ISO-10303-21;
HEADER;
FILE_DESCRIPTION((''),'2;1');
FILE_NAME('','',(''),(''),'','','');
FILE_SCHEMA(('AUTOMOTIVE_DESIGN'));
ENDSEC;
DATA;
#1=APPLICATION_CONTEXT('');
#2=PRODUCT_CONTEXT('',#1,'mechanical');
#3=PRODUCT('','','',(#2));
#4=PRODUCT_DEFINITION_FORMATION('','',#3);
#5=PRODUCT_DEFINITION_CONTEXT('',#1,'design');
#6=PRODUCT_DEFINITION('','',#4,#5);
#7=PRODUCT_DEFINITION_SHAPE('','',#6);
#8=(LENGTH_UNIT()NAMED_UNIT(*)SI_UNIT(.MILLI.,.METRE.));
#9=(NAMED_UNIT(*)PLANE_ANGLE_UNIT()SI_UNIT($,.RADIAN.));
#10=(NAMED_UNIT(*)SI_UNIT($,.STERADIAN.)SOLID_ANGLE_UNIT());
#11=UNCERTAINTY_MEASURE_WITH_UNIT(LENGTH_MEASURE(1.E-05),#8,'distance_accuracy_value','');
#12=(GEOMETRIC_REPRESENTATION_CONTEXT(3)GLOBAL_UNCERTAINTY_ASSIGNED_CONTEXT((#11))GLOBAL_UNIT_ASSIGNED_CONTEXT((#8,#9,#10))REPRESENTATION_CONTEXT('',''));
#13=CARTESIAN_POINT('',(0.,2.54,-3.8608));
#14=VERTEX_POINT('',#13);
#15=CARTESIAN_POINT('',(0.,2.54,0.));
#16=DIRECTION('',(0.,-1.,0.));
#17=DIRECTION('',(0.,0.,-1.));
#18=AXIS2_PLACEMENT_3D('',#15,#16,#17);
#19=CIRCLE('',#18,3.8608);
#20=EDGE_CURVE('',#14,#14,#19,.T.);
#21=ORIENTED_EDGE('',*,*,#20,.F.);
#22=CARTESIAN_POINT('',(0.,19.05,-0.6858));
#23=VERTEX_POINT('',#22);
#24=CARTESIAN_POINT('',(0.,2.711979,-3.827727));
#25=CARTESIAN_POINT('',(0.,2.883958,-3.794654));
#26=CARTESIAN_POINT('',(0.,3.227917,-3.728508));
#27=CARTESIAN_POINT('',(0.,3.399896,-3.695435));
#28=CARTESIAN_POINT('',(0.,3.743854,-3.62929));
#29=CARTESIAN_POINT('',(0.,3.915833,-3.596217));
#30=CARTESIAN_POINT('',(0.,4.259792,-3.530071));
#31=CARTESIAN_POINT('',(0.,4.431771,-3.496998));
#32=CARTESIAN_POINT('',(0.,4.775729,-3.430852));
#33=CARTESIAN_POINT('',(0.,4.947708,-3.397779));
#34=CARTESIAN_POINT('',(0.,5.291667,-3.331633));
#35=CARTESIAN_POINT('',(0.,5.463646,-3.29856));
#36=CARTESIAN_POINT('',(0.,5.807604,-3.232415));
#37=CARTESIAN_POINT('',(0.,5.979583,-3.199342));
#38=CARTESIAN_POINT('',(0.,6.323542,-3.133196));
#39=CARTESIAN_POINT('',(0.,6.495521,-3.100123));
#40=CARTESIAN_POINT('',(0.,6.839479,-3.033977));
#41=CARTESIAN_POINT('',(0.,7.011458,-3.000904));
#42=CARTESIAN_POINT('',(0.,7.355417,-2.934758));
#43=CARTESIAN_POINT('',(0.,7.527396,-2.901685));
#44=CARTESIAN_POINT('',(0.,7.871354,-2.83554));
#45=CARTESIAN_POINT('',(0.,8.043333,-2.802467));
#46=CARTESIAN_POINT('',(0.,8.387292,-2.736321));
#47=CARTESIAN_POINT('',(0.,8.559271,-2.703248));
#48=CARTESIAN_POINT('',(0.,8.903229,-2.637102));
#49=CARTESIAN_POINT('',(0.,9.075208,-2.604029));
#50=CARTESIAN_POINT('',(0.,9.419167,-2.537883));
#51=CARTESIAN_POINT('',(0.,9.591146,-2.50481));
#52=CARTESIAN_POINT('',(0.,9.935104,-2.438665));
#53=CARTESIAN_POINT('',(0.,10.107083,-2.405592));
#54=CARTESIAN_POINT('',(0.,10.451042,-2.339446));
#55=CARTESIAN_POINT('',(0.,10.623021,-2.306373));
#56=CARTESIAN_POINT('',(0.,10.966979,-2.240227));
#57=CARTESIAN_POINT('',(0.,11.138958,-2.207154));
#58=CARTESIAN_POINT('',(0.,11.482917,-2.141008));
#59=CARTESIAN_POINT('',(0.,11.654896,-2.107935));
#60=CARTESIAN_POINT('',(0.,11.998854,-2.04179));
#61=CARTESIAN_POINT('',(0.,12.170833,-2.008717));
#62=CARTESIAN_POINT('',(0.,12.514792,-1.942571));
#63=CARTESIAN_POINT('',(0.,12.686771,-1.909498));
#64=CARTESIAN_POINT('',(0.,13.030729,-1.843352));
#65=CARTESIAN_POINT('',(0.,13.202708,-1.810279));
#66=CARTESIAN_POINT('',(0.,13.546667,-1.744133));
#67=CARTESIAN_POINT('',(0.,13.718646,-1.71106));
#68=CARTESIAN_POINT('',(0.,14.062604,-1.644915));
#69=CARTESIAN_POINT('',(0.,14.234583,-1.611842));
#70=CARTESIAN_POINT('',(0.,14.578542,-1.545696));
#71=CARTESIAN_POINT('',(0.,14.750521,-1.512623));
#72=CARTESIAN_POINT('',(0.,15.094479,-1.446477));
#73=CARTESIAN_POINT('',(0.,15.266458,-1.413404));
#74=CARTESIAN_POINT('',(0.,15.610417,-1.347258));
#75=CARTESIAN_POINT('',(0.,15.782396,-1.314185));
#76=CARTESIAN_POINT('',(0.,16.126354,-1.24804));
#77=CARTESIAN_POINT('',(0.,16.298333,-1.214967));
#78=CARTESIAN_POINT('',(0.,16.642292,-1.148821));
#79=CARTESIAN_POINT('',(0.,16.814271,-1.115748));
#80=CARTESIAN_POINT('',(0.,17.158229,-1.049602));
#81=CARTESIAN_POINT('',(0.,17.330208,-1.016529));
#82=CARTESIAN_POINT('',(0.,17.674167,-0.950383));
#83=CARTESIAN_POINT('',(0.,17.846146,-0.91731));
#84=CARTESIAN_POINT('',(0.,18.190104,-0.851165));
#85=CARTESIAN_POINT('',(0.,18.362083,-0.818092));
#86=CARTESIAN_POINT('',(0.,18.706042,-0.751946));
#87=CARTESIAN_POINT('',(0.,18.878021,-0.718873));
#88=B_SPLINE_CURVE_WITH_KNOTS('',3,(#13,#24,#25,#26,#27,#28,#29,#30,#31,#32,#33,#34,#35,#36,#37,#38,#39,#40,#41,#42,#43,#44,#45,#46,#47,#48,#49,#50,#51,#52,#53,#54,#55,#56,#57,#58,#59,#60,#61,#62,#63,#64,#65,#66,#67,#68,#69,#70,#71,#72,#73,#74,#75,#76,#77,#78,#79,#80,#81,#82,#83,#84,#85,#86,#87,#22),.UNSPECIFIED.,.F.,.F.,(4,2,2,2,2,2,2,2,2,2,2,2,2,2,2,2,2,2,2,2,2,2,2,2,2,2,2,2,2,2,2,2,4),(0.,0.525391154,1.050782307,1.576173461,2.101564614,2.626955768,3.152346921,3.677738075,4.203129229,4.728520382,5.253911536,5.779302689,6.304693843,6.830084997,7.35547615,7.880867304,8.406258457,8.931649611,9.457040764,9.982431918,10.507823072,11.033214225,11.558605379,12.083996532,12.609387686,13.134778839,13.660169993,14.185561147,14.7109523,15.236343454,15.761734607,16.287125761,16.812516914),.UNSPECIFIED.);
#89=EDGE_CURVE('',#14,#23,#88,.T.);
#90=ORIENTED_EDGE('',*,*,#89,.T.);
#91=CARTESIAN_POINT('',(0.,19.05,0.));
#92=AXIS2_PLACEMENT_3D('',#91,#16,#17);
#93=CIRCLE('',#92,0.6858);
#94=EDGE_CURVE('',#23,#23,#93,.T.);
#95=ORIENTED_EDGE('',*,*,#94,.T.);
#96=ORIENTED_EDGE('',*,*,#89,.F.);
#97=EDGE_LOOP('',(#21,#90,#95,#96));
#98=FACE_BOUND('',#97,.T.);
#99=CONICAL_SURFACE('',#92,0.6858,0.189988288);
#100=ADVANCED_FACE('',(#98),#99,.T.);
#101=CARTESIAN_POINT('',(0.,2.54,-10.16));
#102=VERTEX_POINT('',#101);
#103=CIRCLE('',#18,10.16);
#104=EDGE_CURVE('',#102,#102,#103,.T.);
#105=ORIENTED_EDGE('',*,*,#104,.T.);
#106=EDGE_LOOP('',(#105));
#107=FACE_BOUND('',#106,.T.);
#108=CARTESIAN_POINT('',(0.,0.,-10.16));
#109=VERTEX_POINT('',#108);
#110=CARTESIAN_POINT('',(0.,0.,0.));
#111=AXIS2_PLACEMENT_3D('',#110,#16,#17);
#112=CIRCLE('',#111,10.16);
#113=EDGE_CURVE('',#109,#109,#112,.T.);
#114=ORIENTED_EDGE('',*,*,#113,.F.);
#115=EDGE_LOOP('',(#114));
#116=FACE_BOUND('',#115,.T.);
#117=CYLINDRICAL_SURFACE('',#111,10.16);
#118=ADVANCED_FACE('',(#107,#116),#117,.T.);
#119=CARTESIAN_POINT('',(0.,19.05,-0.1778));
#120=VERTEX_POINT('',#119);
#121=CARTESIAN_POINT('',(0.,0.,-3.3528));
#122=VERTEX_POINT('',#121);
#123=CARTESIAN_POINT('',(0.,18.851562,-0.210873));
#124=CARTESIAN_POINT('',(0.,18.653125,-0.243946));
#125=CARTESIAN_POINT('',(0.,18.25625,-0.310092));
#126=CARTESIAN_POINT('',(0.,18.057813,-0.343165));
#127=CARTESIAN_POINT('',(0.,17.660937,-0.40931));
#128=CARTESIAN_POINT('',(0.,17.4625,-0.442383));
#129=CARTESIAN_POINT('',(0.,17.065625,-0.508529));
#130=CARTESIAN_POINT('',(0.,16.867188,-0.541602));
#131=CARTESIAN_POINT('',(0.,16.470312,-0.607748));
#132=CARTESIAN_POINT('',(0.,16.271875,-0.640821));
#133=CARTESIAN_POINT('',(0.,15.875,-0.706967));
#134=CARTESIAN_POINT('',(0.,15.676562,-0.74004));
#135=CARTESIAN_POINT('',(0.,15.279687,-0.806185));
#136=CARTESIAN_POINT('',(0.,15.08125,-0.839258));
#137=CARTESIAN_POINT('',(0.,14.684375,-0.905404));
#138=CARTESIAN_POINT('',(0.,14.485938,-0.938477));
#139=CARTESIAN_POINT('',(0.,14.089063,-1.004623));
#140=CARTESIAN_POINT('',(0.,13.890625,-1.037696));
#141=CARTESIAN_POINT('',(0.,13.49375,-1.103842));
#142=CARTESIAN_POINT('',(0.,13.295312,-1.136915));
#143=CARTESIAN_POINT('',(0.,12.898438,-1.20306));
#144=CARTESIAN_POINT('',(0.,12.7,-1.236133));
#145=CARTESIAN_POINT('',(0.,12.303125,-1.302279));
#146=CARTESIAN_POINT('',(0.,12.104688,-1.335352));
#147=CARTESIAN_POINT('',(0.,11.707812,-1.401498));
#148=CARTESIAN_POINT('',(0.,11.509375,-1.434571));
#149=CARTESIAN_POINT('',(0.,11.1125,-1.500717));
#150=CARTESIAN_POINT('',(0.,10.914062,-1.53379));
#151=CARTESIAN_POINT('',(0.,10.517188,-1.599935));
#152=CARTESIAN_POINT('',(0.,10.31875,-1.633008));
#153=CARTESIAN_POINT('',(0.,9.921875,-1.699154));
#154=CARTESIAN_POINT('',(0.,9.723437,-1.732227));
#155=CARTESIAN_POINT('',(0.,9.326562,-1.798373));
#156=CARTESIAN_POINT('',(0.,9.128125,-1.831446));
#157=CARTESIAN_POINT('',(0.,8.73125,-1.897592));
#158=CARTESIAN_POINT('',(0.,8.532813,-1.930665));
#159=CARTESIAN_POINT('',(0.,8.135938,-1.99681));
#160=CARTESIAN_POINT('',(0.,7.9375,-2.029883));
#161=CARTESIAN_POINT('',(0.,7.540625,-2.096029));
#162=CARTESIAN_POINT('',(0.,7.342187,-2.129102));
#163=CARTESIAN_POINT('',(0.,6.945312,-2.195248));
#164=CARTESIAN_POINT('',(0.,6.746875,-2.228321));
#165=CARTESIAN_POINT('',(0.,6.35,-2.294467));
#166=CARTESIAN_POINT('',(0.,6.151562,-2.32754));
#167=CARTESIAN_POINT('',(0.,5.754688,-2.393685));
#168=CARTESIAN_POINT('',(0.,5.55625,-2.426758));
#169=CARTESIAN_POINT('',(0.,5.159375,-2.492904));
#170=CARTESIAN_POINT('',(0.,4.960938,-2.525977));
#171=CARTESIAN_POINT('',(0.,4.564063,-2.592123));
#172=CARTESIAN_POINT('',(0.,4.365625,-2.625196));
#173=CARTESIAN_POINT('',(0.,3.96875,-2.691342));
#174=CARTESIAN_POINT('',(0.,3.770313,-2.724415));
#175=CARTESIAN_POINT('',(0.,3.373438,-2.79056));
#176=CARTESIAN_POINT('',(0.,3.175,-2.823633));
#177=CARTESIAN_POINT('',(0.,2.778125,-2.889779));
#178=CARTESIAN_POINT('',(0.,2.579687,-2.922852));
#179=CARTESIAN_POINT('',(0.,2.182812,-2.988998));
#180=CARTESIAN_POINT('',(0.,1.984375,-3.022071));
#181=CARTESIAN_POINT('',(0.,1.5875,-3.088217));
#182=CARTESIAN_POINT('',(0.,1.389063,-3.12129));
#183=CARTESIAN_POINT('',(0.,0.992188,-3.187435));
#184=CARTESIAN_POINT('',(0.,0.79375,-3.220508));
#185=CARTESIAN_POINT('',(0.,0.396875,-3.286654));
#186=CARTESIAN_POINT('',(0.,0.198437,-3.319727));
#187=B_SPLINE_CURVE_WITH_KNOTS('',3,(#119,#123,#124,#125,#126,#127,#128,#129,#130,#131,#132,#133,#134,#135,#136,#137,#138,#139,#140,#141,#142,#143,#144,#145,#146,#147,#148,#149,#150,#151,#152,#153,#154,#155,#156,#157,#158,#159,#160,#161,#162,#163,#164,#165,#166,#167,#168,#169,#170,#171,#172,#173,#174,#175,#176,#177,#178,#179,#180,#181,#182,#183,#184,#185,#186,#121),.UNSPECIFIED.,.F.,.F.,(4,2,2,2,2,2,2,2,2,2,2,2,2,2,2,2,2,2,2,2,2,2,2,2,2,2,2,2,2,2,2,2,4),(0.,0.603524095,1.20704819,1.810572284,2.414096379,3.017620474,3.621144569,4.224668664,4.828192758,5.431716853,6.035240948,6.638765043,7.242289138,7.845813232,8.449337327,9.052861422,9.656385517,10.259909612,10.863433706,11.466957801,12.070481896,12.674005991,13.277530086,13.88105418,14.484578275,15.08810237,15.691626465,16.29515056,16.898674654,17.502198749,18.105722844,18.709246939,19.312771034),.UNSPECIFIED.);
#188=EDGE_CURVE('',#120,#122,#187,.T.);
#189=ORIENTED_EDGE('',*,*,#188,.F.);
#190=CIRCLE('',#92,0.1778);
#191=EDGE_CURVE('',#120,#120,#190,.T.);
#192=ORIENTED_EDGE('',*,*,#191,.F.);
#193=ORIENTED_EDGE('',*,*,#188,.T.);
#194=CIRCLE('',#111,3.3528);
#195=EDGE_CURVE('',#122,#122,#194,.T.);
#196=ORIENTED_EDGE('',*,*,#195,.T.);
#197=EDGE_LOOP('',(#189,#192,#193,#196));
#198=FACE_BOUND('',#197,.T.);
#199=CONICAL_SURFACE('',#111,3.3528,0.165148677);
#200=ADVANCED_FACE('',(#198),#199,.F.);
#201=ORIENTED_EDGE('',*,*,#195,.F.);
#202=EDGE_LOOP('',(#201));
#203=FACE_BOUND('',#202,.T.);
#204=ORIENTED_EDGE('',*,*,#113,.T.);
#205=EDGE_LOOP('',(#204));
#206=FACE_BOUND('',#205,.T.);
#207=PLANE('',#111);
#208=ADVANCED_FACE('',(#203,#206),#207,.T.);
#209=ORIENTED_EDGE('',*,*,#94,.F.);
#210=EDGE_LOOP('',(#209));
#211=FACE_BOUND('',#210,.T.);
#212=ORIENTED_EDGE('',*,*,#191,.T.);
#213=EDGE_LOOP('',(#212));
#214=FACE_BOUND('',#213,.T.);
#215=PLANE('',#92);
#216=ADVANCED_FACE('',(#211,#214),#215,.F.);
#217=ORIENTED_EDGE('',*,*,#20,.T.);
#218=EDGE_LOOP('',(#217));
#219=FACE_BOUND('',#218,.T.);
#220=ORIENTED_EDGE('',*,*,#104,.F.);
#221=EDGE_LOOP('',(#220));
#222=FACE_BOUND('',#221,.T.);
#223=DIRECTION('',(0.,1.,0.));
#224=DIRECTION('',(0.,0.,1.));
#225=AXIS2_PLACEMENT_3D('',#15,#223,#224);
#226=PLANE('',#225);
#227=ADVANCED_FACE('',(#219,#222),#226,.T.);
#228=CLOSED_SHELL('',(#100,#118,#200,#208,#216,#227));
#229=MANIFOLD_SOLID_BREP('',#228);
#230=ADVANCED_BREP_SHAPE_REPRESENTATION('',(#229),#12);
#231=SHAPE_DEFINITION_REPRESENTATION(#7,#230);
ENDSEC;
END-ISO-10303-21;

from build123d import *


with BuildPart() as part:
    # Sketch1 → Revolve1 (revolve)
    with BuildSketch(Plane.XY, mode=Mode.PRIVATE) as revolve1_sk:
        Polygon((10.16, 0), (10.16, 2.54), (3.8608, 2.54), (0.6858, 19.05), (0.1778, 19.05), (3.3528, 0), align=None)
    revolve(revolve1_sk.sketch.rotate(Axis((0, 0, 0), (0, 1, 0)), 90), axis=Axis((0, 0, 0), (0, 1, 0)))


solid = part.part
